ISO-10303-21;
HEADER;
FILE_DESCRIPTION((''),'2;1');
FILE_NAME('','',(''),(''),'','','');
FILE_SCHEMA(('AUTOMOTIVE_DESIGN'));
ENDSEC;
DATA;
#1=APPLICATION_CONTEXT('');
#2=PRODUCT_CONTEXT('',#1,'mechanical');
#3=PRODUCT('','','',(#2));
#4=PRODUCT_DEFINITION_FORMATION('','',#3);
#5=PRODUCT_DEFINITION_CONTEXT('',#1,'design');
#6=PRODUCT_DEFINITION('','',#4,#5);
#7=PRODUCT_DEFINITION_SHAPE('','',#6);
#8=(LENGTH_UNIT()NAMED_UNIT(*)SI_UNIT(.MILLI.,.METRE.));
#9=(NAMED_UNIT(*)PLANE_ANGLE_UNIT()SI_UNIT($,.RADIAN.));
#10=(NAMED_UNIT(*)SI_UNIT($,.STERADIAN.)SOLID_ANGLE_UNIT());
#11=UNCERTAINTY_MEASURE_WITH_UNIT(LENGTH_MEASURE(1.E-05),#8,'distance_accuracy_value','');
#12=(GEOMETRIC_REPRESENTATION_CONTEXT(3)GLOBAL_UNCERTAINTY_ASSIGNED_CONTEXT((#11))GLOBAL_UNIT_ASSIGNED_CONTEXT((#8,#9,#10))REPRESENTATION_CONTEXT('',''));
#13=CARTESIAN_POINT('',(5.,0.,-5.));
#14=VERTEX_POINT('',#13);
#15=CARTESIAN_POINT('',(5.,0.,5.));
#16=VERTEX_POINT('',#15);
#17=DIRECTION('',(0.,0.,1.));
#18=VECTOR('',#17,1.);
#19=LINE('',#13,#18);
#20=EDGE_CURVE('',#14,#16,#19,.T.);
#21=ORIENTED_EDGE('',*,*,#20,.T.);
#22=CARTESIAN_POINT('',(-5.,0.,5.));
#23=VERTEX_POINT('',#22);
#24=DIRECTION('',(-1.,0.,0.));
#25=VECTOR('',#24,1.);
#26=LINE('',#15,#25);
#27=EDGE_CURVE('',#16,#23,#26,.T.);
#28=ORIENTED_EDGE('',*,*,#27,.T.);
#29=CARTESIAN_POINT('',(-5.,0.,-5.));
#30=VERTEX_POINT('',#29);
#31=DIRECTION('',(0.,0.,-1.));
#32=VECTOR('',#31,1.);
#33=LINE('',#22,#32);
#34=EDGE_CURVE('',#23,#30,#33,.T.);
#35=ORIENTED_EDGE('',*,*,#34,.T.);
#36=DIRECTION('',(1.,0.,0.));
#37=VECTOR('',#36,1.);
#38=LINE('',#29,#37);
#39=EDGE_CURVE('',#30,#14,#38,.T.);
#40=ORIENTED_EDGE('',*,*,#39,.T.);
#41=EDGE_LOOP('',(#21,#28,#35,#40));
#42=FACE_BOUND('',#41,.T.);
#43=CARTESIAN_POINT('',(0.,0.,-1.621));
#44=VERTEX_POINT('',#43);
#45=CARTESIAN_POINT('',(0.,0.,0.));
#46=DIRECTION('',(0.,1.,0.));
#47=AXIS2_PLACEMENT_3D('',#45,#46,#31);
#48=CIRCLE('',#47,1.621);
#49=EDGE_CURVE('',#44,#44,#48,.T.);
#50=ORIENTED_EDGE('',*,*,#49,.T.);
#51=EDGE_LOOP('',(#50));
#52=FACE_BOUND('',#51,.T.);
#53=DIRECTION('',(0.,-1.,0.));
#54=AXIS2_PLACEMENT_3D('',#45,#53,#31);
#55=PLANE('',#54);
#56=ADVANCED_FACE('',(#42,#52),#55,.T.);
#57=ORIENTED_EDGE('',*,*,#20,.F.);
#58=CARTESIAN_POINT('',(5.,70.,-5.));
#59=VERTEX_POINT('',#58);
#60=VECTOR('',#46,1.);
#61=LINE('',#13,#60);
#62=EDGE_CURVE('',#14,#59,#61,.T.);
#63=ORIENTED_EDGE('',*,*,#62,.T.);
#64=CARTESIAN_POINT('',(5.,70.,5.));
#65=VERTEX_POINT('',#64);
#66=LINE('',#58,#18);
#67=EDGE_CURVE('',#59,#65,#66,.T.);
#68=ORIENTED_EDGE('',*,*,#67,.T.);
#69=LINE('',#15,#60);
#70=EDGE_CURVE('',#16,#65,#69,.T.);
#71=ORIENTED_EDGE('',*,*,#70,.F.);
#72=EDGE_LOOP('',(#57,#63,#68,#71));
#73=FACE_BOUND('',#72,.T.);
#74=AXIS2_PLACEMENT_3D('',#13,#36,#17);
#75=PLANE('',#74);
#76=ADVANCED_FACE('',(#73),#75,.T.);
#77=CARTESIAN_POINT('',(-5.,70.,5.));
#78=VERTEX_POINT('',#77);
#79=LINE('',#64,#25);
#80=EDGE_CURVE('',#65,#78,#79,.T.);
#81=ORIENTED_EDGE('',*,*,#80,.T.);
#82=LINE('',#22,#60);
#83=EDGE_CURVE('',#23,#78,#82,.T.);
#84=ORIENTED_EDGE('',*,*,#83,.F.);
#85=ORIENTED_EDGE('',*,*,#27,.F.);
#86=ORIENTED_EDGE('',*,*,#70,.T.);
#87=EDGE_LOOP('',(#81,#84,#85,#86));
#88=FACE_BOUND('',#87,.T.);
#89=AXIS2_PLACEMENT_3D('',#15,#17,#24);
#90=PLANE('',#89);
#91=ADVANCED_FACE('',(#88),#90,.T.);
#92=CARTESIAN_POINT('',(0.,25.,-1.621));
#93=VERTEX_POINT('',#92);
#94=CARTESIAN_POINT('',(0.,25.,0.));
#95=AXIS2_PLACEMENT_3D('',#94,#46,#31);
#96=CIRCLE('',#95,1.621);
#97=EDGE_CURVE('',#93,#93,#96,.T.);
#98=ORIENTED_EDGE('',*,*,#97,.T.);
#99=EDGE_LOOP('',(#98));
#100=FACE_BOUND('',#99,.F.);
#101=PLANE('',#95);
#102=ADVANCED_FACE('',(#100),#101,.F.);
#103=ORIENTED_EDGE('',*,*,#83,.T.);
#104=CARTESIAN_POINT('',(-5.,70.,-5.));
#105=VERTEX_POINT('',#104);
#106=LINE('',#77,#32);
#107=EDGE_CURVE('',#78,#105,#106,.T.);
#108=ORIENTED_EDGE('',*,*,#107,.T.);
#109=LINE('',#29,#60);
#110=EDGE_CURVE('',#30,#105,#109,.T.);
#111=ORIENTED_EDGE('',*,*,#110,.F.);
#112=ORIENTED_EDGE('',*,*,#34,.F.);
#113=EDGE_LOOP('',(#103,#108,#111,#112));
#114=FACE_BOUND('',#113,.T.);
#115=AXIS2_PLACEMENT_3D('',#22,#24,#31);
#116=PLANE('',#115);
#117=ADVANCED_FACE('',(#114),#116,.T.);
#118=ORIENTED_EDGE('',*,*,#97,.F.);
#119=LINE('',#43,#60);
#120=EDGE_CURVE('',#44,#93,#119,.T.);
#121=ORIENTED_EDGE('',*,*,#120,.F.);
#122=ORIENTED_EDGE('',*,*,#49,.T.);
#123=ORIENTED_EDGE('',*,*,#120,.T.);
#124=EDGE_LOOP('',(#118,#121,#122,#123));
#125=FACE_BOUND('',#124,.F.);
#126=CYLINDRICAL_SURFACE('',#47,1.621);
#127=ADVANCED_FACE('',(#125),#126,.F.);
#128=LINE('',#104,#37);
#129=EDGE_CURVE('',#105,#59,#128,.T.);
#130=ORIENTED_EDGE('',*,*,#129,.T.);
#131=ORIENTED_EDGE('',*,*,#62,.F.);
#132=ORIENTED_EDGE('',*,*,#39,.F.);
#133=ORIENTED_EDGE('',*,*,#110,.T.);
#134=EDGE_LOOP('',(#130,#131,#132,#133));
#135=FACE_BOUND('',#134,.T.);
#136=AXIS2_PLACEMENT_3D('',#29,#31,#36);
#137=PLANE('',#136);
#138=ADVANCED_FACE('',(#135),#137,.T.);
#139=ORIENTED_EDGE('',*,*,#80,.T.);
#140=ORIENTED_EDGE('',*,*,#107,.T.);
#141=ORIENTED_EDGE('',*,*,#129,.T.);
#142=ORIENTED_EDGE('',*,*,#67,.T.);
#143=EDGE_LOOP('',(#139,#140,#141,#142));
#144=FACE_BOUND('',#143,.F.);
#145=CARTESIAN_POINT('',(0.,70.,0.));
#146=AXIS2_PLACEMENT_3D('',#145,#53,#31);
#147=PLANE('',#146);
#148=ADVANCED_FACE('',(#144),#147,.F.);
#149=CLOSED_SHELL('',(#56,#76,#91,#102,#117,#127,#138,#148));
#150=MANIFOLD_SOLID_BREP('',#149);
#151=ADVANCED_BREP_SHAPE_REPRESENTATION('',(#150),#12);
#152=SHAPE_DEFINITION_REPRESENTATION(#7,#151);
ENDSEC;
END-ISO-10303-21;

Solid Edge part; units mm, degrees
sketch "Sketch1" plane through (0, 0, 0) normal (0, -1, 0) x (1, 0, 0)
  line L0 (5, 5) -> (-5, 5)
  line L1 (-5, 5) -> (-5, -5)
  line L2 (-5, -5) -> (5, -5)
  line L3 (5, -5) -> (5, 5)
extrude "Protrusion1" add sketch "Sketch1" against normal blind 70
hole "Hole_1" at (0, 0, 0) direction (0, 1, 0) diameter 3.242 depth 25 thread major 4 thread length 2
